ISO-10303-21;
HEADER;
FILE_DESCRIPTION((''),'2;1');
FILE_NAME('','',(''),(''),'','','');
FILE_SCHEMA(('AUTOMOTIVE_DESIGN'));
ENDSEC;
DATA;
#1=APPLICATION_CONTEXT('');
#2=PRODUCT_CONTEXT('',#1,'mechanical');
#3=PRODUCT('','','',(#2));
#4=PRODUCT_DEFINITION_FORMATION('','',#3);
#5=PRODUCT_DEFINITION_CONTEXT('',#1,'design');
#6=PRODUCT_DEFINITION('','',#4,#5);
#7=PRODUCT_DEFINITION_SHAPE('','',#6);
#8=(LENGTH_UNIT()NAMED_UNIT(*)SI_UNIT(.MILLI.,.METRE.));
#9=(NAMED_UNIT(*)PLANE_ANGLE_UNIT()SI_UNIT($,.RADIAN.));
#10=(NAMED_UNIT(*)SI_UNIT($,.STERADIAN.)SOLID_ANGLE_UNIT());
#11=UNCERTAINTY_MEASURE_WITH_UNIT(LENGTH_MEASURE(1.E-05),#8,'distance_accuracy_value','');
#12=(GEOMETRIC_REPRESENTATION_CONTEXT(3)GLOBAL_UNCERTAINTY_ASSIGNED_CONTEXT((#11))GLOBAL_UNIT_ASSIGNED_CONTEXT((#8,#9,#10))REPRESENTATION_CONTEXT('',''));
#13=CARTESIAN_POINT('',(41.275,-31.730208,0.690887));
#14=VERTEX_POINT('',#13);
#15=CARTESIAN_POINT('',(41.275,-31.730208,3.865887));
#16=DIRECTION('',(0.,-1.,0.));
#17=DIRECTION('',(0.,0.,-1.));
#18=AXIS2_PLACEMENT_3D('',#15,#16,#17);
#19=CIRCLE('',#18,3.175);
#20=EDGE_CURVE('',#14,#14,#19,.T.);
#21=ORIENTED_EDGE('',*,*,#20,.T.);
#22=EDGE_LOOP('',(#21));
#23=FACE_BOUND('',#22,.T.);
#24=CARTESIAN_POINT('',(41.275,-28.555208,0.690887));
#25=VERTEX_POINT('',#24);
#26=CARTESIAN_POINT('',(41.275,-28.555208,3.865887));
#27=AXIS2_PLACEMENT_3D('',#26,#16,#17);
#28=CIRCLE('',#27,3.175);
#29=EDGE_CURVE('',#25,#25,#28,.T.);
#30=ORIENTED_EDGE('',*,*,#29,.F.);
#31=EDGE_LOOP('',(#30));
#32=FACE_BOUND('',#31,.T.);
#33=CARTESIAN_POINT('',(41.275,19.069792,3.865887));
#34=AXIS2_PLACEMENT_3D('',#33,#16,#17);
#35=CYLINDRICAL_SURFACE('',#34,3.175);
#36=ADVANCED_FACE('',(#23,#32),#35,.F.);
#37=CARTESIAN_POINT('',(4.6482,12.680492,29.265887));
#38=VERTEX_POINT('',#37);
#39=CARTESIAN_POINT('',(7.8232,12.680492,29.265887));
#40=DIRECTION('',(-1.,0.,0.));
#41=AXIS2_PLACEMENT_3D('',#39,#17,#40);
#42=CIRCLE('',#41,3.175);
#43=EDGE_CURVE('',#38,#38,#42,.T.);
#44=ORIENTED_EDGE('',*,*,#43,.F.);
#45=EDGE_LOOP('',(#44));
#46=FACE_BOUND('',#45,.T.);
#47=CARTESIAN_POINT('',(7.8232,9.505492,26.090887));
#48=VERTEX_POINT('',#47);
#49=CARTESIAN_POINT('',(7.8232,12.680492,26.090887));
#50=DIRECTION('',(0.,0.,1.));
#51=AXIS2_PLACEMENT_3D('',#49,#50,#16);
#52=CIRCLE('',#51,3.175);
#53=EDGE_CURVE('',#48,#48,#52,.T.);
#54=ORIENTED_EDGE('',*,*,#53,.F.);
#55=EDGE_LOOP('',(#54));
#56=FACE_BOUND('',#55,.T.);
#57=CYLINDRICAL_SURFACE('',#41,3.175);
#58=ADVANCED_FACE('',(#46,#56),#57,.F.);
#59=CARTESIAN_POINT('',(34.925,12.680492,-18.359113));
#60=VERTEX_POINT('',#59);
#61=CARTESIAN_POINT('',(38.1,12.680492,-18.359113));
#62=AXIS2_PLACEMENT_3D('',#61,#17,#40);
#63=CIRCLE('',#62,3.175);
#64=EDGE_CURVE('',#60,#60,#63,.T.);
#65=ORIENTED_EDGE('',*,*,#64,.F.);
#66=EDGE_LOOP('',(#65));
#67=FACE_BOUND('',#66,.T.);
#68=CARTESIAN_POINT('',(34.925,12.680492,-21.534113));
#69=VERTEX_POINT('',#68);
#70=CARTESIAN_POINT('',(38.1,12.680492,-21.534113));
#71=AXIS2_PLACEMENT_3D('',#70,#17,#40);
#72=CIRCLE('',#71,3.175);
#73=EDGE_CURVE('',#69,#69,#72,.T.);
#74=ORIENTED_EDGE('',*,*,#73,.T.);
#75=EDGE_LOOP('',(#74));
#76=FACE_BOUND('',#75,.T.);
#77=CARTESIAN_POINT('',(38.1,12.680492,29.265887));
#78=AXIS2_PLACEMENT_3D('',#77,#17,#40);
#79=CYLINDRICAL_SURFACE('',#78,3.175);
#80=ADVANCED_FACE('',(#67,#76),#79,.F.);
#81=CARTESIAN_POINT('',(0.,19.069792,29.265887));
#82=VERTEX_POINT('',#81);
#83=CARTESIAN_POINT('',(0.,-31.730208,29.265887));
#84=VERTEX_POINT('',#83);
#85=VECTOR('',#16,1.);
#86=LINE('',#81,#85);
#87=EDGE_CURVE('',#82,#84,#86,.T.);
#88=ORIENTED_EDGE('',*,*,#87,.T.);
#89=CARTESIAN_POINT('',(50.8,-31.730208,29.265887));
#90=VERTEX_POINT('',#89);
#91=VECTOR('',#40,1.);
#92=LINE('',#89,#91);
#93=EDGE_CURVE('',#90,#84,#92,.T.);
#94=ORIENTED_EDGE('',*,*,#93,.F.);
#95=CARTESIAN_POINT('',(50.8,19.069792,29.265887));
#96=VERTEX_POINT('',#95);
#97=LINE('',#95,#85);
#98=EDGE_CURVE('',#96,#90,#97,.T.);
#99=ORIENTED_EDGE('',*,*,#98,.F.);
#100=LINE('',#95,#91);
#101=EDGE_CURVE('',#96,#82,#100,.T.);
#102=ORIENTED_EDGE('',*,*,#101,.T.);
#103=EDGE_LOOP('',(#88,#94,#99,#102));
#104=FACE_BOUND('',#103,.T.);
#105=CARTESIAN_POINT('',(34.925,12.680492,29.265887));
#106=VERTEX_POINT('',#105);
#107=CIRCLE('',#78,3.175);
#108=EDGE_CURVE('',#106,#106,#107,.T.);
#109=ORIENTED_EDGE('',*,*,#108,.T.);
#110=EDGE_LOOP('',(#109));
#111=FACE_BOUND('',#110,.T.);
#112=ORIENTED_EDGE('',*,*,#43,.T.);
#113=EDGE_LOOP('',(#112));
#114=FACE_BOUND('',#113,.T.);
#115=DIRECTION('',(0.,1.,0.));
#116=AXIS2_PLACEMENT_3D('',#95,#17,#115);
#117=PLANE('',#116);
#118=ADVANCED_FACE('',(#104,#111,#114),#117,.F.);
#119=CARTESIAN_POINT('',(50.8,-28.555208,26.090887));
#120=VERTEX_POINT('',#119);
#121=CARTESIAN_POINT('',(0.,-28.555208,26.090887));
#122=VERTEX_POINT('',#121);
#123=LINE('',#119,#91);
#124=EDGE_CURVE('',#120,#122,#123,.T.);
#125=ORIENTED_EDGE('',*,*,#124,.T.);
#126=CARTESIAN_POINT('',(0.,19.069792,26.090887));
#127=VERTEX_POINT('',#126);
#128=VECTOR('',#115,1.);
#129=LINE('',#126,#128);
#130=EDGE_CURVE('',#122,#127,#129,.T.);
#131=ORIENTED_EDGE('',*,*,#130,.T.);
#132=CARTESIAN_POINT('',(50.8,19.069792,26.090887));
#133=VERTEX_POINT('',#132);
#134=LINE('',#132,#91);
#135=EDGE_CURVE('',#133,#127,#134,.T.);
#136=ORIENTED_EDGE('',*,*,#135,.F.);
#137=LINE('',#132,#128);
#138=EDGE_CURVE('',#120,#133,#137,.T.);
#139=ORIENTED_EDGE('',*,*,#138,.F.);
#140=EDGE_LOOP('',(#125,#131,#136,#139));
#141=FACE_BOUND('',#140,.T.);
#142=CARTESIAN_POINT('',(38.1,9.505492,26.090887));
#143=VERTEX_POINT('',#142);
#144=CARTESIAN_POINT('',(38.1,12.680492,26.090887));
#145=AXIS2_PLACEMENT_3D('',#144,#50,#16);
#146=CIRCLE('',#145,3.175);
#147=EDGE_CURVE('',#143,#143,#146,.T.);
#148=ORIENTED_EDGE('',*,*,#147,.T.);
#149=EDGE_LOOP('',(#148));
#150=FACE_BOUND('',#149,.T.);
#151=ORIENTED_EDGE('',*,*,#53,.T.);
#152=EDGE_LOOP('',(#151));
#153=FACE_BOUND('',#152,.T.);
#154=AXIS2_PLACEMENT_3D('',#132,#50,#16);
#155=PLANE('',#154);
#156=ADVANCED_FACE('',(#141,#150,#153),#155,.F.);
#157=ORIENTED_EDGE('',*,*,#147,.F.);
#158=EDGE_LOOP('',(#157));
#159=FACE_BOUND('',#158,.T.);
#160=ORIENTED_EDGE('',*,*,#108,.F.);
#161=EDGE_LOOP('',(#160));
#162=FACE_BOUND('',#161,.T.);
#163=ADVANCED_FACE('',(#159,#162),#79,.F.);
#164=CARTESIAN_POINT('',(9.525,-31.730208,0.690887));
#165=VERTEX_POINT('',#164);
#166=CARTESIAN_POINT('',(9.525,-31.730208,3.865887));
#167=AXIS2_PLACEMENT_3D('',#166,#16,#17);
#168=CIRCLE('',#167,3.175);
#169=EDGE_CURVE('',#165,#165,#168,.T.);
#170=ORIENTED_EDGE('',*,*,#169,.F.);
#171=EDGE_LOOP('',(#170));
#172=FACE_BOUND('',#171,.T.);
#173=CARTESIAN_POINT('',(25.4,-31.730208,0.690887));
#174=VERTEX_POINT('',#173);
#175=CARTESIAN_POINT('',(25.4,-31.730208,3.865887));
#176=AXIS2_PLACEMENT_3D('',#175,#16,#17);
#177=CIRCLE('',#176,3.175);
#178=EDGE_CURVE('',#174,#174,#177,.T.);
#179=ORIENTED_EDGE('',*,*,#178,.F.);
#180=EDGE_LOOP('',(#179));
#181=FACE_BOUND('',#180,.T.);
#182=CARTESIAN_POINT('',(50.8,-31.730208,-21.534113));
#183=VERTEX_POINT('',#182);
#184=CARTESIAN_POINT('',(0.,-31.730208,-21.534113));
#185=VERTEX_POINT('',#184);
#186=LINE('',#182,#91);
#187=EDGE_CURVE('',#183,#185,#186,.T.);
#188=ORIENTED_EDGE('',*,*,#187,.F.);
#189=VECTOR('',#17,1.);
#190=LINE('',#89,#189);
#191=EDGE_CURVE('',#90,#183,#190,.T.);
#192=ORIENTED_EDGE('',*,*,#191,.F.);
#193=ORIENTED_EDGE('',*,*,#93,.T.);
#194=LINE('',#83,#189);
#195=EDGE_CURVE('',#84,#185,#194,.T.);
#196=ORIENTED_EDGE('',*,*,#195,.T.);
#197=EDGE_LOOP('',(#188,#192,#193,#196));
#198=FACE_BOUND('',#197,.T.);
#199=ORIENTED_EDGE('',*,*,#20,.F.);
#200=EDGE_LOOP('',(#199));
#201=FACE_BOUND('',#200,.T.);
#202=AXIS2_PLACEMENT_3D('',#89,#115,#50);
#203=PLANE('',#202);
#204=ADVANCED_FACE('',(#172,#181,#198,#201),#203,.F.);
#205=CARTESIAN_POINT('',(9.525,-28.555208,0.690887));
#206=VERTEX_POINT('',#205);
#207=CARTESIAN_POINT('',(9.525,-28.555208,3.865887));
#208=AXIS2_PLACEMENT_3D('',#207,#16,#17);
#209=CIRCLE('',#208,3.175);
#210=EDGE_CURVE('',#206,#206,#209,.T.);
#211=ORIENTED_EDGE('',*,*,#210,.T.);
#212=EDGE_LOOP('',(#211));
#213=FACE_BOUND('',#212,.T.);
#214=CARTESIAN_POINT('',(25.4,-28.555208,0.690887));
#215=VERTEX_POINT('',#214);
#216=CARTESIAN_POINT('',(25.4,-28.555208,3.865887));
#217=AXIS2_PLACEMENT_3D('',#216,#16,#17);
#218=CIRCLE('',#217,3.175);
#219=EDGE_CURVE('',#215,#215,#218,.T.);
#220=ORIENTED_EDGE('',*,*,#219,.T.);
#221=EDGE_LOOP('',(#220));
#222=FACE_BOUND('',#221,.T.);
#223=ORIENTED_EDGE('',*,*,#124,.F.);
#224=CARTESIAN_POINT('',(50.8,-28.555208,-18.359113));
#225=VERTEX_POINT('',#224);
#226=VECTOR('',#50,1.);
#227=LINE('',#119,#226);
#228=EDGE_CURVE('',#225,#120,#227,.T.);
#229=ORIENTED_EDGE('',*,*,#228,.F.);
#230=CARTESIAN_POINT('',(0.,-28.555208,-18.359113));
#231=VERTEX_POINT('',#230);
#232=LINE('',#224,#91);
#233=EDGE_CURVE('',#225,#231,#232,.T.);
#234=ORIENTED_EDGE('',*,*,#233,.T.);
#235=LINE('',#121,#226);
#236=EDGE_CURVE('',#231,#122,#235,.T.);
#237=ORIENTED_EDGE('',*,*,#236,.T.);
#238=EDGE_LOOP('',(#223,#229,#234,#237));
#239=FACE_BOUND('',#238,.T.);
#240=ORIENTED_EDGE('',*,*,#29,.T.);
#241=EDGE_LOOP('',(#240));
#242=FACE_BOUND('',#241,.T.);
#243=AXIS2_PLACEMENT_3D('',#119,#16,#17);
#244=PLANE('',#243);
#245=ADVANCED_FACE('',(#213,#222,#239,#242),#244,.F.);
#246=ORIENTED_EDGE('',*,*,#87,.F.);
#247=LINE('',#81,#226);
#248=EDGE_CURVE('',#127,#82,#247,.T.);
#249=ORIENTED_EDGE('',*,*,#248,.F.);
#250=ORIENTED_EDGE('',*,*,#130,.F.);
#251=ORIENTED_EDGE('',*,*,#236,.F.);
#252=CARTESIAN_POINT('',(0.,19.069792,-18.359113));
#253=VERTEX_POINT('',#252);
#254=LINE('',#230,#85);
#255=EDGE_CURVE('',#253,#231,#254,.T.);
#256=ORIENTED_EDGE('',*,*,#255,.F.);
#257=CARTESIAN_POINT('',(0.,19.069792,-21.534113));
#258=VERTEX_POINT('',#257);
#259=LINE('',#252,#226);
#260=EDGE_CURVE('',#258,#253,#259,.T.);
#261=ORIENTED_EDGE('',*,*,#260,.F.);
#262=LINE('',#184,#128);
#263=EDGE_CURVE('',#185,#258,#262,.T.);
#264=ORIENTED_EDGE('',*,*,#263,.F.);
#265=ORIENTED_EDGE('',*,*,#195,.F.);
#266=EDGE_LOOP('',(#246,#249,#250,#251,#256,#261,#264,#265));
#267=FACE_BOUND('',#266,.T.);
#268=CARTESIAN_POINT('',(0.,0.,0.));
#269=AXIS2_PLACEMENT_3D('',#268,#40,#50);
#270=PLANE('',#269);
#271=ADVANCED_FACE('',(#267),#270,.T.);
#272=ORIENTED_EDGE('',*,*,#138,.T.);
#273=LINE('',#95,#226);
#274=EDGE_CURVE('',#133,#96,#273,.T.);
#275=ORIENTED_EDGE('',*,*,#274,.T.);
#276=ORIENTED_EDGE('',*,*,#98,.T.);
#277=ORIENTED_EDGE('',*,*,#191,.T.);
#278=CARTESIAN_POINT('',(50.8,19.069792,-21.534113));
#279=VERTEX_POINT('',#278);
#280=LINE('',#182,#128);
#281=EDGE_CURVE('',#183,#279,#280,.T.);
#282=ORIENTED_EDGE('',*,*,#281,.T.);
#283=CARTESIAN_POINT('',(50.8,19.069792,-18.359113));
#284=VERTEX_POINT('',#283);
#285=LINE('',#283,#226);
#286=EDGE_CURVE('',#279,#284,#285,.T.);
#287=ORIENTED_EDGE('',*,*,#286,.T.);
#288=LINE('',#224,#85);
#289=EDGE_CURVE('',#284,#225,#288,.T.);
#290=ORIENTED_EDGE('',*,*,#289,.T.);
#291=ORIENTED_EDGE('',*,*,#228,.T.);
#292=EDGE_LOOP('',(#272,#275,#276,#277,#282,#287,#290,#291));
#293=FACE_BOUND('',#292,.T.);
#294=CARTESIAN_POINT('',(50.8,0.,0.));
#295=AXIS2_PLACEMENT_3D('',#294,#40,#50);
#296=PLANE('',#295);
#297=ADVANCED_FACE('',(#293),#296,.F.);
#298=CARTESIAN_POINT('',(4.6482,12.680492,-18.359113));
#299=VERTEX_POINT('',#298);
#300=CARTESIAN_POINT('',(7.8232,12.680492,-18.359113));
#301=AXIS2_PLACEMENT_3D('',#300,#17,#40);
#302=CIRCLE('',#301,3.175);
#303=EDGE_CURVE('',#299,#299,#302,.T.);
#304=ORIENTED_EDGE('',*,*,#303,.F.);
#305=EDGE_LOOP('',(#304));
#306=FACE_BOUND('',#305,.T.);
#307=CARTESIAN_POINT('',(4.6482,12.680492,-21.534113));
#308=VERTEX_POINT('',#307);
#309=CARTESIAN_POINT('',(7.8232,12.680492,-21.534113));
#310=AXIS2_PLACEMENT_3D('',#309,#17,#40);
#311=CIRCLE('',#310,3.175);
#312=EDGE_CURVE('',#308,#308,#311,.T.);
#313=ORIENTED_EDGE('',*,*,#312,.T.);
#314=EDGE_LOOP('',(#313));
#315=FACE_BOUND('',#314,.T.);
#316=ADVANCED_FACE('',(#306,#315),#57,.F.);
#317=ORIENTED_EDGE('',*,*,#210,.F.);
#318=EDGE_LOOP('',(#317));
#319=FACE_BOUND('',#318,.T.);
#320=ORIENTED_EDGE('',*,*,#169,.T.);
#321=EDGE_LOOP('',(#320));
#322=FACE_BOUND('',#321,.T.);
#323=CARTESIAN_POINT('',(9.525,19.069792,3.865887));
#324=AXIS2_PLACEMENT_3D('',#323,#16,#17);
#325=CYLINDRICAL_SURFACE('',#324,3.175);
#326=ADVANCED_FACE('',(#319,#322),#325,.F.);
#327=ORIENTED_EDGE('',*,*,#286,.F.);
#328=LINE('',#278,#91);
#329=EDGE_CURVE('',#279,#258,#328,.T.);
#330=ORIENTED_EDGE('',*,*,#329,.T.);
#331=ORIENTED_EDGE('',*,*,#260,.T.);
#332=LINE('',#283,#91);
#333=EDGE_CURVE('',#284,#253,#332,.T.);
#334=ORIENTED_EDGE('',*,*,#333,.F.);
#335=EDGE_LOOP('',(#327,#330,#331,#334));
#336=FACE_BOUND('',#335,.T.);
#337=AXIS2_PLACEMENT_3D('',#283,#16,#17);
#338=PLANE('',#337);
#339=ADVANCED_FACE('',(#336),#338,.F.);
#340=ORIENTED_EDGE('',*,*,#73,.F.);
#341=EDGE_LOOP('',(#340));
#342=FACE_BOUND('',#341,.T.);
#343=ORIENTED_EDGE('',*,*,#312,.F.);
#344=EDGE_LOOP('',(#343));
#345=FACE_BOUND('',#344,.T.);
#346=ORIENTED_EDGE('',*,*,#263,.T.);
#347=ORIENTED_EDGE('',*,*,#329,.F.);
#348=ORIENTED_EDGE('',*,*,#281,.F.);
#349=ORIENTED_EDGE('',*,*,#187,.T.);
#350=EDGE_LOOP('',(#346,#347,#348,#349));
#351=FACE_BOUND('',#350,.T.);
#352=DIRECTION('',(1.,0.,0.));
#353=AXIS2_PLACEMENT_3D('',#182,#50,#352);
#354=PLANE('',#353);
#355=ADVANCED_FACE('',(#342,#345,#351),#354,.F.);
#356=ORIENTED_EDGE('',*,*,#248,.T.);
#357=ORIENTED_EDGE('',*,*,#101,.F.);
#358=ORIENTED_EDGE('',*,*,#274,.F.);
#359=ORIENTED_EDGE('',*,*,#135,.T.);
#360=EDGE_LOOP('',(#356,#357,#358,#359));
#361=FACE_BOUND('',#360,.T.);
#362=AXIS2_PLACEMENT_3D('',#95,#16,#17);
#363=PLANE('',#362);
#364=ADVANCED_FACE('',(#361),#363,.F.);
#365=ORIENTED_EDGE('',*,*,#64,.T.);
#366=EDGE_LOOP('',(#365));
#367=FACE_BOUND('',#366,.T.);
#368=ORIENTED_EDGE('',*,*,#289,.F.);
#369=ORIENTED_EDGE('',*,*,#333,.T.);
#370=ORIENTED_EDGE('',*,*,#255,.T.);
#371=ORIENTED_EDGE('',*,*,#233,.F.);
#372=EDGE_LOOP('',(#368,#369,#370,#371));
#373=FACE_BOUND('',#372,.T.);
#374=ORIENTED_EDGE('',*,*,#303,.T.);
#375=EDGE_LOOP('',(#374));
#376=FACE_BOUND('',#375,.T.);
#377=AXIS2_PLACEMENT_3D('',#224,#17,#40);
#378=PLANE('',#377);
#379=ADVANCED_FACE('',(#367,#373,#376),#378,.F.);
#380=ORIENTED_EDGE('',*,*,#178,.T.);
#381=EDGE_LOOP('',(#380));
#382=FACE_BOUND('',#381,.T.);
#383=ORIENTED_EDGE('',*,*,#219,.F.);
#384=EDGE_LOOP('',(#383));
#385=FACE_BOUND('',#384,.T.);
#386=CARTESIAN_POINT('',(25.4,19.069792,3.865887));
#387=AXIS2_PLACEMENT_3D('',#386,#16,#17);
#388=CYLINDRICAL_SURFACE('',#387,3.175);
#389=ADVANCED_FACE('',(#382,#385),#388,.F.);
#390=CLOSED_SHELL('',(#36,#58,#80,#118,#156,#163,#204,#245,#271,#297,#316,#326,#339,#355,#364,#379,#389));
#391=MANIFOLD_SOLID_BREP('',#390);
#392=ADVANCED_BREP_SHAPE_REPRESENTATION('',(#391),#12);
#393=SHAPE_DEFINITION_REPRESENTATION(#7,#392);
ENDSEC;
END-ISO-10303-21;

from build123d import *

# Parameters (mm, degrees)
BOSS_EXTRUDE1_DEPTH = 50.8
SKETCH2_R           = 3.175
CUT_EXTRUDE1_DEPTH  = 50.8
SKETCH6_R           = 3.175
CUT_EXTRUDE2_DEPTH  = 50.8


with BuildPart() as part:
    # Sketch1 → Boss-Extrude1 (new body)
    with BuildSketch(Plane(origin=(0, 0, 0), x_dir=(0, 0, -1), z_dir=(1, 0, 0))):
        Polygon((-29.265887299, 19.069791765), (-29.265887299, -31.730208235), (21.534112701, -31.730208235), (21.534112701, 19.069791765), (18.359112701, 19.069791765), (18.359112701, -28.555208235), (-26.090887299, -28.555208235), (-26.090887299, 19.069791765), align=None)
    extrude(amount=BOSS_EXTRUDE1_DEPTH)

    # Sketch2 → Cut-Extrude1 (cut)
    with BuildSketch(Plane(origin=(0, 0, -21.534112701), x_dir=(-1, 0, 0), z_dir=(0, 0, -1))):
        with Locations((-38.1, 12.680491765)):
            Circle(SKETCH2_R)
        with Locations((-7.8232, 12.680491765)):
            Circle(SKETCH2_R)
    extrude(amount=-CUT_EXTRUDE1_DEPTH, mode=Mode.SUBTRACT)

    # Sketch6 → Cut-Extrude2 (cut)
    with BuildSketch(Plane.XZ.offset(31.730208235)):
        with Locations(Location((41.275, 3.865887299, 0), (0, 0, 270))):
            Circle(SKETCH6_R)
        with Locations(Location((25.4, 3.865887299, 0), (0, 0, 270))):
            Circle(SKETCH6_R)
        with Locations(Location((9.525, 3.865887299, 0), (0, 0, 270))):
            Circle(SKETCH6_R)
    extrude(amount=-CUT_EXTRUDE2_DEPTH, mode=Mode.SUBTRACT)


solid = part.part
